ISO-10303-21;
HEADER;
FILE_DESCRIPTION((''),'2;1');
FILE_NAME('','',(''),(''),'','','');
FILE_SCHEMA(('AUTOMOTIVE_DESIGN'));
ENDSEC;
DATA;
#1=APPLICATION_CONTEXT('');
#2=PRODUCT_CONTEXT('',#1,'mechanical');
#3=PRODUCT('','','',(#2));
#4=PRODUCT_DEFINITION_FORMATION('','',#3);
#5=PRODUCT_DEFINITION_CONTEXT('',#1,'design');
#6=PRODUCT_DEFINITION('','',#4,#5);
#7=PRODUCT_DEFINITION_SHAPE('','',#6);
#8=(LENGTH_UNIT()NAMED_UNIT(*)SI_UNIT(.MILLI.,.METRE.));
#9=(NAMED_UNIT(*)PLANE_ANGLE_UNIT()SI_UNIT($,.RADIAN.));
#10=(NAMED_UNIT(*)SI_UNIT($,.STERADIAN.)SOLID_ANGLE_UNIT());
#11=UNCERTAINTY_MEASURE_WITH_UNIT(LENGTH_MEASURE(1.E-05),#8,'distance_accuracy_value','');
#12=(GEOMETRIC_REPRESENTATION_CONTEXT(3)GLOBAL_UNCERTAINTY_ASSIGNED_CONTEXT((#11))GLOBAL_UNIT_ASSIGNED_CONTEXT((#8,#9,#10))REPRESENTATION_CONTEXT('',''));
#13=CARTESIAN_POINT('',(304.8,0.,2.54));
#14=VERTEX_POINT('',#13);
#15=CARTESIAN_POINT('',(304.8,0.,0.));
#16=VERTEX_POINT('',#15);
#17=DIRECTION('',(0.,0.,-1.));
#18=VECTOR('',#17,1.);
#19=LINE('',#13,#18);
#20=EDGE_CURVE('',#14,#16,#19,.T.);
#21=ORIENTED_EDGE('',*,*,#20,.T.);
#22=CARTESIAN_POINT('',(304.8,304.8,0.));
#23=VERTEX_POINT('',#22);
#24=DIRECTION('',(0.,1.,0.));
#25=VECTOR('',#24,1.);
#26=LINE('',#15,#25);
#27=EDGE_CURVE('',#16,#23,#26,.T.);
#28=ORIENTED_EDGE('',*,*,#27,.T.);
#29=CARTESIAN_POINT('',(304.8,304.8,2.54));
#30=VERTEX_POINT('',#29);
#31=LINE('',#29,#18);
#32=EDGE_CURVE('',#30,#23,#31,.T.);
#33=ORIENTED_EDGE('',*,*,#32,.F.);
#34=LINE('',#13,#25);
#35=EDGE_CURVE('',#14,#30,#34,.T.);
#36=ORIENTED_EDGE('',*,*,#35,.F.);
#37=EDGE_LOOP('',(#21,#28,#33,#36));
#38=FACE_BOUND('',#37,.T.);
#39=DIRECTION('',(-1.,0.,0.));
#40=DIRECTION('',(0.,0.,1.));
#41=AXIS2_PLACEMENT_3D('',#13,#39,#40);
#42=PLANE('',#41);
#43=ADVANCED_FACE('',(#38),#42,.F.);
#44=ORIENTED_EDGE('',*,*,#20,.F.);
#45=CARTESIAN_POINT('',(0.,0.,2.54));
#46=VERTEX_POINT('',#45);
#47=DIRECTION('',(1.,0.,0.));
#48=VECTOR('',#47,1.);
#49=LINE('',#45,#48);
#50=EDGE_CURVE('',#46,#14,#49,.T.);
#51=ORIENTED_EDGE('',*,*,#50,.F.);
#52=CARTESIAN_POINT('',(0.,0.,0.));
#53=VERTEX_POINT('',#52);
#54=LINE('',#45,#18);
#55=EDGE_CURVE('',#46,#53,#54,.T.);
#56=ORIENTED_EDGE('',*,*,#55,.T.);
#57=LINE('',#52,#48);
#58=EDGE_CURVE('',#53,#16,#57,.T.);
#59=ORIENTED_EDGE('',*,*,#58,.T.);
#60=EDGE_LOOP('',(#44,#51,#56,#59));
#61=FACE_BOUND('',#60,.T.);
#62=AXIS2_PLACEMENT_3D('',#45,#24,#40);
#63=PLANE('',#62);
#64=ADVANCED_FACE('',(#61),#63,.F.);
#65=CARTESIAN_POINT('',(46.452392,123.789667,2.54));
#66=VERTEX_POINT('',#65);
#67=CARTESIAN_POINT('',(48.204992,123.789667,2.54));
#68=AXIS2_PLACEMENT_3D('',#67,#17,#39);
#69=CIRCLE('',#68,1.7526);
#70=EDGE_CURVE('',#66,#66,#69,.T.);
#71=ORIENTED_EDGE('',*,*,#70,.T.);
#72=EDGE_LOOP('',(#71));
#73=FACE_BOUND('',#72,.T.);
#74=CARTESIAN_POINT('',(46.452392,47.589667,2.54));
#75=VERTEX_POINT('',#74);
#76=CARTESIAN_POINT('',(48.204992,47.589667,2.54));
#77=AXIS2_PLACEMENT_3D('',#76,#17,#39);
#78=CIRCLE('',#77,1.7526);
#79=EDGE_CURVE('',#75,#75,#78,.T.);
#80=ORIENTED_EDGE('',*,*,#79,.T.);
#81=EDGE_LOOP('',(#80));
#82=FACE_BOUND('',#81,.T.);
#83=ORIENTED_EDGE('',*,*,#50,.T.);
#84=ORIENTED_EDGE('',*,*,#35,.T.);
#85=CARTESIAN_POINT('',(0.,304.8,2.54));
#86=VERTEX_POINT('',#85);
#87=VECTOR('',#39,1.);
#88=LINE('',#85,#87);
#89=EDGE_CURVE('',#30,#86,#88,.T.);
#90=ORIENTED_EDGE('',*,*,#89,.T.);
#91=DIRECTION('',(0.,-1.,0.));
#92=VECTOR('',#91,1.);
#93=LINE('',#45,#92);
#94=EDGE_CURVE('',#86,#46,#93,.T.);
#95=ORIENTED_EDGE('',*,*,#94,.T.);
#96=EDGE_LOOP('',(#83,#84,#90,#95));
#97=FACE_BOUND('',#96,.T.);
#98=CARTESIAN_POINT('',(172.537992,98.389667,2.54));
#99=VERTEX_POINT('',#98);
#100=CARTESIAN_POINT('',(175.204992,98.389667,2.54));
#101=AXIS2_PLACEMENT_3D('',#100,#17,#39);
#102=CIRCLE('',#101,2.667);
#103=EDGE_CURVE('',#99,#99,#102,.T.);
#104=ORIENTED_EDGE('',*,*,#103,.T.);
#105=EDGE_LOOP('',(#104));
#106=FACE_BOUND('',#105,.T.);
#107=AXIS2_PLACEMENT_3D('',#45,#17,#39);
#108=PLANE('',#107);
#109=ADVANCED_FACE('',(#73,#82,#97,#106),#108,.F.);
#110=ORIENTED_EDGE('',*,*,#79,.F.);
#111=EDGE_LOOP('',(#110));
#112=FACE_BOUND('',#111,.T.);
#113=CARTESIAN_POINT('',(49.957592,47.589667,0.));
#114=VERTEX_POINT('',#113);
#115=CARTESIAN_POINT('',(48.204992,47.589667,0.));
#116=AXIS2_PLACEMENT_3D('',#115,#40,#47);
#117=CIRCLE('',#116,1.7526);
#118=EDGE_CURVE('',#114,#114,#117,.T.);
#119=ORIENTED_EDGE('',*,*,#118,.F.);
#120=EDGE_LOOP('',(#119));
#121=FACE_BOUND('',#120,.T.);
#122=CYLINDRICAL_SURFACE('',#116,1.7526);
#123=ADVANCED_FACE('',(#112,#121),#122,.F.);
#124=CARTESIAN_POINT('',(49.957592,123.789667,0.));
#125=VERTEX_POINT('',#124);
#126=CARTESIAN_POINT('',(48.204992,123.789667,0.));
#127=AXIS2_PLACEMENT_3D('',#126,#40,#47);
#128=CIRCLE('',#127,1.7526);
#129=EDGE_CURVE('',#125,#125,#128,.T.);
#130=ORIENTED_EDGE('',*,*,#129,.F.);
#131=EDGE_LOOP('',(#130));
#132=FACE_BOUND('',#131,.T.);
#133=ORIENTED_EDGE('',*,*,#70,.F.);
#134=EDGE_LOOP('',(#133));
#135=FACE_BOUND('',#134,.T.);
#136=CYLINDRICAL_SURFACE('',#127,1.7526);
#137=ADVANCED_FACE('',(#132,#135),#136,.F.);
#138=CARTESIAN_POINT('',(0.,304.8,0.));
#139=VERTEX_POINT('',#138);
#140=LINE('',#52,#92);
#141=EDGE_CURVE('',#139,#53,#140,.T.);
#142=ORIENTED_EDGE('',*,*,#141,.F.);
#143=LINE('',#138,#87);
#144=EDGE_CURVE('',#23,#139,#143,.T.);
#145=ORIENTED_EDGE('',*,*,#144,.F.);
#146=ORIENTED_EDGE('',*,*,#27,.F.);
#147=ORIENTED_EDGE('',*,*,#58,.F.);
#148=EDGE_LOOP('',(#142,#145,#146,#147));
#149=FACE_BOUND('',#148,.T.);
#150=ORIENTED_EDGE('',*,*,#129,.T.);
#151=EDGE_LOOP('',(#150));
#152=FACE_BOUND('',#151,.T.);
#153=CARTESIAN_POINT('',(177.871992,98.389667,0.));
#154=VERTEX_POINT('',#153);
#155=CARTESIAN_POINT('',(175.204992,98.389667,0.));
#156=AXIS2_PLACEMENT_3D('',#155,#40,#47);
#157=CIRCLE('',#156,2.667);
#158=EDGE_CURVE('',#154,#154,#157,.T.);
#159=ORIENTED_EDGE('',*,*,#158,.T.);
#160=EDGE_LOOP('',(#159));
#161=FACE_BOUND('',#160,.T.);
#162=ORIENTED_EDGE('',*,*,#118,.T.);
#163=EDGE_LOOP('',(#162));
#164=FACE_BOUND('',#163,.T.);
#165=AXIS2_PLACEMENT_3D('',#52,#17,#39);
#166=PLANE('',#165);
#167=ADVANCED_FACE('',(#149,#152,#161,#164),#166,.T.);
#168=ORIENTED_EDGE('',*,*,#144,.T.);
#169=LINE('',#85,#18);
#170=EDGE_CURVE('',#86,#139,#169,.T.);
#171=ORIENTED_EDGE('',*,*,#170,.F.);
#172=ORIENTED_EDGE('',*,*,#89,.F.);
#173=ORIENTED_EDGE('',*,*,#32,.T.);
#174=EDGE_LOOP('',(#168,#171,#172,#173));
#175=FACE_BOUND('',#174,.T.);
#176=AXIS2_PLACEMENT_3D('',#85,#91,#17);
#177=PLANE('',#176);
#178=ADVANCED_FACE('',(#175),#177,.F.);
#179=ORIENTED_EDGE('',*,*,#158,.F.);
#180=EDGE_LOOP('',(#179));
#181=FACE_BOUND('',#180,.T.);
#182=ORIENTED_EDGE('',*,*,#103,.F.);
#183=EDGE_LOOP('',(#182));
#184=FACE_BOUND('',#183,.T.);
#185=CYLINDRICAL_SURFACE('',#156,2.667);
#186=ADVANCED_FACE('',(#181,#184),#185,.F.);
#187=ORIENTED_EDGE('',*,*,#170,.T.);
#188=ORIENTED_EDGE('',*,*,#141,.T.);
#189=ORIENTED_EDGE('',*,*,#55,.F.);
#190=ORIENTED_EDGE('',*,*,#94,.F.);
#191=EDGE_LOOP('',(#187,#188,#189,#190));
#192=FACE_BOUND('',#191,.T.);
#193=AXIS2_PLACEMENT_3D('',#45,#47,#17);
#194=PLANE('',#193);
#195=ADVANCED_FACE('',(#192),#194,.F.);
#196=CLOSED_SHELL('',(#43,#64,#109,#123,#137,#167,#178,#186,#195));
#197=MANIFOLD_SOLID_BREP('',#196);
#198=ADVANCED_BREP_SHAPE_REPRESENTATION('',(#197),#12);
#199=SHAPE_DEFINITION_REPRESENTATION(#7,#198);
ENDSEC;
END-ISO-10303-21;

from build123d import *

# Parameters (mm, degrees)
SKETCH1_W               = 304.8
SKETCH1_H               = 304.8
BOSS_EXTRUDE1_DEPTH     = 2.54
SKETCH2_R               = 1.7526
SKETCH2_R_2             = 2.667
CUT_EXTRUDE1_DEPTH      = 1
CUT_EXTRUDE1_DEPTH_BACK = 3.54


with BuildPart() as part:
    # Sketch1 → Boss-Extrude1 (new body)
    with BuildSketch(Plane.XY):
        with Locations((152.4, 152.4)):
            Rectangle(SKETCH1_W, SKETCH1_H)
    extrude(amount=BOSS_EXTRUDE1_DEPTH)

    # Sketch2 → Cut-Extrude1 (cut, two sides)
    with BuildSketch(Plane.XY.offset(2.54)) as cut_extrude1_sk:
        with Locations((48.204991745, 47.589666893)):
            Circle(SKETCH2_R)
        with Locations((175.204991745, 98.389666893)):
            Circle(SKETCH2_R_2)
        with Locations((48.204991745, 123.789666893)):
            Circle(SKETCH2_R)
    extrude(amount=CUT_EXTRUDE1_DEPTH, mode=Mode.SUBTRACT)
    extrude(cut_extrude1_sk.sketch, amount=-CUT_EXTRUDE1_DEPTH_BACK, mode=Mode.SUBTRACT)


solid = part.part
